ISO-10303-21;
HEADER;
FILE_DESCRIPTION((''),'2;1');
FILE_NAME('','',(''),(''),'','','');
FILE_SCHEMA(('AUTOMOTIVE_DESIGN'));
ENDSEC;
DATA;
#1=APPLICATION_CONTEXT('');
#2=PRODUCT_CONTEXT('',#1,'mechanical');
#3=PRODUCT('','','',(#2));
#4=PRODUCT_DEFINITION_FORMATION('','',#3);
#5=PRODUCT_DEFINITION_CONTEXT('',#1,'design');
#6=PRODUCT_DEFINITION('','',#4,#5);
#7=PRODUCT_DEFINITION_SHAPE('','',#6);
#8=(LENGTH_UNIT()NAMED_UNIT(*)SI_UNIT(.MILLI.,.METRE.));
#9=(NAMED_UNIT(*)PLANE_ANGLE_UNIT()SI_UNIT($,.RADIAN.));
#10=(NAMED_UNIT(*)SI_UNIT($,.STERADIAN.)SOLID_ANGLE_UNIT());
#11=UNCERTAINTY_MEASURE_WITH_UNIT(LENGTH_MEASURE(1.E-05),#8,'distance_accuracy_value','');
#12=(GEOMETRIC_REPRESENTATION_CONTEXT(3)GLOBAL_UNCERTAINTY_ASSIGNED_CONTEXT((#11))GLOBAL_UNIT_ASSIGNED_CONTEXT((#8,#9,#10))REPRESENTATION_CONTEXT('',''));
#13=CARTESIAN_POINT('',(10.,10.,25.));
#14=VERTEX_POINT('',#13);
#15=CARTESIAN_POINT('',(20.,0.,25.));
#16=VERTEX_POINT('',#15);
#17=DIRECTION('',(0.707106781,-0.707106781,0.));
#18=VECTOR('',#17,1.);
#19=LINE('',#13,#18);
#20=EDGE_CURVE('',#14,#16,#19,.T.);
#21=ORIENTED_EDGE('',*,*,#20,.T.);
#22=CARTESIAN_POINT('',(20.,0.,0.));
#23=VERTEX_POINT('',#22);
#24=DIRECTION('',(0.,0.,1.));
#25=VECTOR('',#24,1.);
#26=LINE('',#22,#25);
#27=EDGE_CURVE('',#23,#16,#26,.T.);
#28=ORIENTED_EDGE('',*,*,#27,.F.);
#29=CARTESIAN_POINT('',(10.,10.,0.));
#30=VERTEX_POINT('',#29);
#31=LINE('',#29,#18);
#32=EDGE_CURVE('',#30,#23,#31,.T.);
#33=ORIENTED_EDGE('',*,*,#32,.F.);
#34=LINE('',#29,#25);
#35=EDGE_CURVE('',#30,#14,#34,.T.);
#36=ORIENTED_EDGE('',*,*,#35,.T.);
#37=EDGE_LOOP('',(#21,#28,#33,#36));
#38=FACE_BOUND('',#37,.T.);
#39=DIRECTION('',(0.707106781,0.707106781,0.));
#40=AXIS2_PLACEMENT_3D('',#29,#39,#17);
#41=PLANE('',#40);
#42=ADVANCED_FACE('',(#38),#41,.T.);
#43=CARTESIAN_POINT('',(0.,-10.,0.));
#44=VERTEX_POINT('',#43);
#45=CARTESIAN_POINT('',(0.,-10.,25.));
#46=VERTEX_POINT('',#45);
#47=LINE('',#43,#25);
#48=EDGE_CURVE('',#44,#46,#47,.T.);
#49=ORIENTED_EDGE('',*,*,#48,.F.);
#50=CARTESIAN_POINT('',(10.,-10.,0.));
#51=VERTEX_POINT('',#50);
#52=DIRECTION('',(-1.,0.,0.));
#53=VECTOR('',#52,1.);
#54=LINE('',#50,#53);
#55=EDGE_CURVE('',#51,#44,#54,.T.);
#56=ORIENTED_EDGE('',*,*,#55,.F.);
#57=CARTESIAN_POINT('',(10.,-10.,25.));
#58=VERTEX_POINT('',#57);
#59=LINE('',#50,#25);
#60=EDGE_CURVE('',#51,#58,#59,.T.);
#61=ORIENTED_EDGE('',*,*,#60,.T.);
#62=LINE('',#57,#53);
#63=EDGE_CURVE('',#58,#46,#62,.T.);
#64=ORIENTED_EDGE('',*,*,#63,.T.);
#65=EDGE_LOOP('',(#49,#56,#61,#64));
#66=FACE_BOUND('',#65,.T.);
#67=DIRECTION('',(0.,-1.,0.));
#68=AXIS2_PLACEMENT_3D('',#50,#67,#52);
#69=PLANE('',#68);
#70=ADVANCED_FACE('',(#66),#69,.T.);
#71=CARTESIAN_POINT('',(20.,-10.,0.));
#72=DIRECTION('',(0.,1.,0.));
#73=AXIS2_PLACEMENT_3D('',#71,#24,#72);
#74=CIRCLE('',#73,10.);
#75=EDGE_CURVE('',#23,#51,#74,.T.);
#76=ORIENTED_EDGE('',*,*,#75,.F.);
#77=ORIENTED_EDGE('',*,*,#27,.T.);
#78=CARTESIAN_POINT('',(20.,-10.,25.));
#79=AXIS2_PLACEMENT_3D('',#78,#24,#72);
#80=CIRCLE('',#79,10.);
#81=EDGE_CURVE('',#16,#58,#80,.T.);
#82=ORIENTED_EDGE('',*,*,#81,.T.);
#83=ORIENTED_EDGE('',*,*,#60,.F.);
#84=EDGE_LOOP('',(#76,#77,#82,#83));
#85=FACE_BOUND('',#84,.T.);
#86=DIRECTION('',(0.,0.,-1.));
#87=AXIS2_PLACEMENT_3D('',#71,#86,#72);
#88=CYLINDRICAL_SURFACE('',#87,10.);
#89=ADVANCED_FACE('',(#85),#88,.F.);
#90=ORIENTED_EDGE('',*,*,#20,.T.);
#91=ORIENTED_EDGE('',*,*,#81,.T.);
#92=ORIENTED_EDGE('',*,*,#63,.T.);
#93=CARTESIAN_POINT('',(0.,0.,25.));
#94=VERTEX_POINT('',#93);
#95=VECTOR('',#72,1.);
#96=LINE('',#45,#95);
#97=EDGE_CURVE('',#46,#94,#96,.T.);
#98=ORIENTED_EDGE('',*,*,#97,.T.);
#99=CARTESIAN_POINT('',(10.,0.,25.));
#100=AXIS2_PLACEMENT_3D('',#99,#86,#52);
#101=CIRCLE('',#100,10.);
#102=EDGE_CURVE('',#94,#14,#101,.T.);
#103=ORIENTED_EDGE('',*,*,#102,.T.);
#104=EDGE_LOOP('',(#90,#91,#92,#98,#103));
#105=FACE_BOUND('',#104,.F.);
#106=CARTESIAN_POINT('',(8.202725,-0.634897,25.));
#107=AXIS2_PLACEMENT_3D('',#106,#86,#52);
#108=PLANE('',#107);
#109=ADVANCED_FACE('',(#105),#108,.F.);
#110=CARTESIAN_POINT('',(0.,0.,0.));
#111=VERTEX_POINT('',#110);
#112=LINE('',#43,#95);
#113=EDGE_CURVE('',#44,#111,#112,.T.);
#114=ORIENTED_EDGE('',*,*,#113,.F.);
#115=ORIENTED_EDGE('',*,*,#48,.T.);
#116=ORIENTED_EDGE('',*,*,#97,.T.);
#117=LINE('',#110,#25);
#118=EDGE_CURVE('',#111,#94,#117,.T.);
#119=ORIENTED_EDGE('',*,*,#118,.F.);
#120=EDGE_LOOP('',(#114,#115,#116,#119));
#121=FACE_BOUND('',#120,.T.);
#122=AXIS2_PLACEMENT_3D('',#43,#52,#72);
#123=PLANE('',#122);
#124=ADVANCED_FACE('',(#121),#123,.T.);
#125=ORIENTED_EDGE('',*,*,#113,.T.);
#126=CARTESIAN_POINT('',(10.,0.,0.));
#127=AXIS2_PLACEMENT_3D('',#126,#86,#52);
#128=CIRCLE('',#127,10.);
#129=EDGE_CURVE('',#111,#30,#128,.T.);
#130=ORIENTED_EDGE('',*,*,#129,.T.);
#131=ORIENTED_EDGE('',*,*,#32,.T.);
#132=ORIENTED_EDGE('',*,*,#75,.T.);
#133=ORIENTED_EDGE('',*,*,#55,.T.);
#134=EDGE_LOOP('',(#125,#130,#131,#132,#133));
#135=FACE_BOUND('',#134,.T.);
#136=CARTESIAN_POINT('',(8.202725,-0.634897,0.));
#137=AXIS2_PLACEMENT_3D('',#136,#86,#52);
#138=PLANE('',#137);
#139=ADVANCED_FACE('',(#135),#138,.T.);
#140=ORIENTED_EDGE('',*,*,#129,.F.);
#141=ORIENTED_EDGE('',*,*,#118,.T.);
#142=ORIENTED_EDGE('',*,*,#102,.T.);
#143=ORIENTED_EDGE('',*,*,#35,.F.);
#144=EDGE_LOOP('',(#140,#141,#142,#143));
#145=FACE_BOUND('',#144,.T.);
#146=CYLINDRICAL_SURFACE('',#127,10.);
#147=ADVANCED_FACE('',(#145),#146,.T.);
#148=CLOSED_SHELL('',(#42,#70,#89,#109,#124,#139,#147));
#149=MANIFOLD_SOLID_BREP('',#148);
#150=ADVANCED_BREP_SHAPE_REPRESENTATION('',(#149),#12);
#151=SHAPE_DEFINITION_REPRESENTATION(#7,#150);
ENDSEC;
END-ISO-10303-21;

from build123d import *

# Parameters (mm, degrees)
BOSS_EXTRUDE1_DEPTH = 25


with BuildPart() as part:
    # Sketch1 → Boss-Extrude1 (new body)
    with BuildSketch(Plane.XY):
        with BuildLine():
            Line((0, -10), (0, 0))
            ThreePointArc((0, 0), (2.928932188, 7.071067812), (10, 10))
            Line((10, 10), (20, 0))
            ThreePointArc((20, 0), (12.928932188, -2.928932188), (10, -10))
            Line((10, -10), (0, -10))
        make_face()
    extrude(amount=BOSS_EXTRUDE1_DEPTH)


solid = part.part
